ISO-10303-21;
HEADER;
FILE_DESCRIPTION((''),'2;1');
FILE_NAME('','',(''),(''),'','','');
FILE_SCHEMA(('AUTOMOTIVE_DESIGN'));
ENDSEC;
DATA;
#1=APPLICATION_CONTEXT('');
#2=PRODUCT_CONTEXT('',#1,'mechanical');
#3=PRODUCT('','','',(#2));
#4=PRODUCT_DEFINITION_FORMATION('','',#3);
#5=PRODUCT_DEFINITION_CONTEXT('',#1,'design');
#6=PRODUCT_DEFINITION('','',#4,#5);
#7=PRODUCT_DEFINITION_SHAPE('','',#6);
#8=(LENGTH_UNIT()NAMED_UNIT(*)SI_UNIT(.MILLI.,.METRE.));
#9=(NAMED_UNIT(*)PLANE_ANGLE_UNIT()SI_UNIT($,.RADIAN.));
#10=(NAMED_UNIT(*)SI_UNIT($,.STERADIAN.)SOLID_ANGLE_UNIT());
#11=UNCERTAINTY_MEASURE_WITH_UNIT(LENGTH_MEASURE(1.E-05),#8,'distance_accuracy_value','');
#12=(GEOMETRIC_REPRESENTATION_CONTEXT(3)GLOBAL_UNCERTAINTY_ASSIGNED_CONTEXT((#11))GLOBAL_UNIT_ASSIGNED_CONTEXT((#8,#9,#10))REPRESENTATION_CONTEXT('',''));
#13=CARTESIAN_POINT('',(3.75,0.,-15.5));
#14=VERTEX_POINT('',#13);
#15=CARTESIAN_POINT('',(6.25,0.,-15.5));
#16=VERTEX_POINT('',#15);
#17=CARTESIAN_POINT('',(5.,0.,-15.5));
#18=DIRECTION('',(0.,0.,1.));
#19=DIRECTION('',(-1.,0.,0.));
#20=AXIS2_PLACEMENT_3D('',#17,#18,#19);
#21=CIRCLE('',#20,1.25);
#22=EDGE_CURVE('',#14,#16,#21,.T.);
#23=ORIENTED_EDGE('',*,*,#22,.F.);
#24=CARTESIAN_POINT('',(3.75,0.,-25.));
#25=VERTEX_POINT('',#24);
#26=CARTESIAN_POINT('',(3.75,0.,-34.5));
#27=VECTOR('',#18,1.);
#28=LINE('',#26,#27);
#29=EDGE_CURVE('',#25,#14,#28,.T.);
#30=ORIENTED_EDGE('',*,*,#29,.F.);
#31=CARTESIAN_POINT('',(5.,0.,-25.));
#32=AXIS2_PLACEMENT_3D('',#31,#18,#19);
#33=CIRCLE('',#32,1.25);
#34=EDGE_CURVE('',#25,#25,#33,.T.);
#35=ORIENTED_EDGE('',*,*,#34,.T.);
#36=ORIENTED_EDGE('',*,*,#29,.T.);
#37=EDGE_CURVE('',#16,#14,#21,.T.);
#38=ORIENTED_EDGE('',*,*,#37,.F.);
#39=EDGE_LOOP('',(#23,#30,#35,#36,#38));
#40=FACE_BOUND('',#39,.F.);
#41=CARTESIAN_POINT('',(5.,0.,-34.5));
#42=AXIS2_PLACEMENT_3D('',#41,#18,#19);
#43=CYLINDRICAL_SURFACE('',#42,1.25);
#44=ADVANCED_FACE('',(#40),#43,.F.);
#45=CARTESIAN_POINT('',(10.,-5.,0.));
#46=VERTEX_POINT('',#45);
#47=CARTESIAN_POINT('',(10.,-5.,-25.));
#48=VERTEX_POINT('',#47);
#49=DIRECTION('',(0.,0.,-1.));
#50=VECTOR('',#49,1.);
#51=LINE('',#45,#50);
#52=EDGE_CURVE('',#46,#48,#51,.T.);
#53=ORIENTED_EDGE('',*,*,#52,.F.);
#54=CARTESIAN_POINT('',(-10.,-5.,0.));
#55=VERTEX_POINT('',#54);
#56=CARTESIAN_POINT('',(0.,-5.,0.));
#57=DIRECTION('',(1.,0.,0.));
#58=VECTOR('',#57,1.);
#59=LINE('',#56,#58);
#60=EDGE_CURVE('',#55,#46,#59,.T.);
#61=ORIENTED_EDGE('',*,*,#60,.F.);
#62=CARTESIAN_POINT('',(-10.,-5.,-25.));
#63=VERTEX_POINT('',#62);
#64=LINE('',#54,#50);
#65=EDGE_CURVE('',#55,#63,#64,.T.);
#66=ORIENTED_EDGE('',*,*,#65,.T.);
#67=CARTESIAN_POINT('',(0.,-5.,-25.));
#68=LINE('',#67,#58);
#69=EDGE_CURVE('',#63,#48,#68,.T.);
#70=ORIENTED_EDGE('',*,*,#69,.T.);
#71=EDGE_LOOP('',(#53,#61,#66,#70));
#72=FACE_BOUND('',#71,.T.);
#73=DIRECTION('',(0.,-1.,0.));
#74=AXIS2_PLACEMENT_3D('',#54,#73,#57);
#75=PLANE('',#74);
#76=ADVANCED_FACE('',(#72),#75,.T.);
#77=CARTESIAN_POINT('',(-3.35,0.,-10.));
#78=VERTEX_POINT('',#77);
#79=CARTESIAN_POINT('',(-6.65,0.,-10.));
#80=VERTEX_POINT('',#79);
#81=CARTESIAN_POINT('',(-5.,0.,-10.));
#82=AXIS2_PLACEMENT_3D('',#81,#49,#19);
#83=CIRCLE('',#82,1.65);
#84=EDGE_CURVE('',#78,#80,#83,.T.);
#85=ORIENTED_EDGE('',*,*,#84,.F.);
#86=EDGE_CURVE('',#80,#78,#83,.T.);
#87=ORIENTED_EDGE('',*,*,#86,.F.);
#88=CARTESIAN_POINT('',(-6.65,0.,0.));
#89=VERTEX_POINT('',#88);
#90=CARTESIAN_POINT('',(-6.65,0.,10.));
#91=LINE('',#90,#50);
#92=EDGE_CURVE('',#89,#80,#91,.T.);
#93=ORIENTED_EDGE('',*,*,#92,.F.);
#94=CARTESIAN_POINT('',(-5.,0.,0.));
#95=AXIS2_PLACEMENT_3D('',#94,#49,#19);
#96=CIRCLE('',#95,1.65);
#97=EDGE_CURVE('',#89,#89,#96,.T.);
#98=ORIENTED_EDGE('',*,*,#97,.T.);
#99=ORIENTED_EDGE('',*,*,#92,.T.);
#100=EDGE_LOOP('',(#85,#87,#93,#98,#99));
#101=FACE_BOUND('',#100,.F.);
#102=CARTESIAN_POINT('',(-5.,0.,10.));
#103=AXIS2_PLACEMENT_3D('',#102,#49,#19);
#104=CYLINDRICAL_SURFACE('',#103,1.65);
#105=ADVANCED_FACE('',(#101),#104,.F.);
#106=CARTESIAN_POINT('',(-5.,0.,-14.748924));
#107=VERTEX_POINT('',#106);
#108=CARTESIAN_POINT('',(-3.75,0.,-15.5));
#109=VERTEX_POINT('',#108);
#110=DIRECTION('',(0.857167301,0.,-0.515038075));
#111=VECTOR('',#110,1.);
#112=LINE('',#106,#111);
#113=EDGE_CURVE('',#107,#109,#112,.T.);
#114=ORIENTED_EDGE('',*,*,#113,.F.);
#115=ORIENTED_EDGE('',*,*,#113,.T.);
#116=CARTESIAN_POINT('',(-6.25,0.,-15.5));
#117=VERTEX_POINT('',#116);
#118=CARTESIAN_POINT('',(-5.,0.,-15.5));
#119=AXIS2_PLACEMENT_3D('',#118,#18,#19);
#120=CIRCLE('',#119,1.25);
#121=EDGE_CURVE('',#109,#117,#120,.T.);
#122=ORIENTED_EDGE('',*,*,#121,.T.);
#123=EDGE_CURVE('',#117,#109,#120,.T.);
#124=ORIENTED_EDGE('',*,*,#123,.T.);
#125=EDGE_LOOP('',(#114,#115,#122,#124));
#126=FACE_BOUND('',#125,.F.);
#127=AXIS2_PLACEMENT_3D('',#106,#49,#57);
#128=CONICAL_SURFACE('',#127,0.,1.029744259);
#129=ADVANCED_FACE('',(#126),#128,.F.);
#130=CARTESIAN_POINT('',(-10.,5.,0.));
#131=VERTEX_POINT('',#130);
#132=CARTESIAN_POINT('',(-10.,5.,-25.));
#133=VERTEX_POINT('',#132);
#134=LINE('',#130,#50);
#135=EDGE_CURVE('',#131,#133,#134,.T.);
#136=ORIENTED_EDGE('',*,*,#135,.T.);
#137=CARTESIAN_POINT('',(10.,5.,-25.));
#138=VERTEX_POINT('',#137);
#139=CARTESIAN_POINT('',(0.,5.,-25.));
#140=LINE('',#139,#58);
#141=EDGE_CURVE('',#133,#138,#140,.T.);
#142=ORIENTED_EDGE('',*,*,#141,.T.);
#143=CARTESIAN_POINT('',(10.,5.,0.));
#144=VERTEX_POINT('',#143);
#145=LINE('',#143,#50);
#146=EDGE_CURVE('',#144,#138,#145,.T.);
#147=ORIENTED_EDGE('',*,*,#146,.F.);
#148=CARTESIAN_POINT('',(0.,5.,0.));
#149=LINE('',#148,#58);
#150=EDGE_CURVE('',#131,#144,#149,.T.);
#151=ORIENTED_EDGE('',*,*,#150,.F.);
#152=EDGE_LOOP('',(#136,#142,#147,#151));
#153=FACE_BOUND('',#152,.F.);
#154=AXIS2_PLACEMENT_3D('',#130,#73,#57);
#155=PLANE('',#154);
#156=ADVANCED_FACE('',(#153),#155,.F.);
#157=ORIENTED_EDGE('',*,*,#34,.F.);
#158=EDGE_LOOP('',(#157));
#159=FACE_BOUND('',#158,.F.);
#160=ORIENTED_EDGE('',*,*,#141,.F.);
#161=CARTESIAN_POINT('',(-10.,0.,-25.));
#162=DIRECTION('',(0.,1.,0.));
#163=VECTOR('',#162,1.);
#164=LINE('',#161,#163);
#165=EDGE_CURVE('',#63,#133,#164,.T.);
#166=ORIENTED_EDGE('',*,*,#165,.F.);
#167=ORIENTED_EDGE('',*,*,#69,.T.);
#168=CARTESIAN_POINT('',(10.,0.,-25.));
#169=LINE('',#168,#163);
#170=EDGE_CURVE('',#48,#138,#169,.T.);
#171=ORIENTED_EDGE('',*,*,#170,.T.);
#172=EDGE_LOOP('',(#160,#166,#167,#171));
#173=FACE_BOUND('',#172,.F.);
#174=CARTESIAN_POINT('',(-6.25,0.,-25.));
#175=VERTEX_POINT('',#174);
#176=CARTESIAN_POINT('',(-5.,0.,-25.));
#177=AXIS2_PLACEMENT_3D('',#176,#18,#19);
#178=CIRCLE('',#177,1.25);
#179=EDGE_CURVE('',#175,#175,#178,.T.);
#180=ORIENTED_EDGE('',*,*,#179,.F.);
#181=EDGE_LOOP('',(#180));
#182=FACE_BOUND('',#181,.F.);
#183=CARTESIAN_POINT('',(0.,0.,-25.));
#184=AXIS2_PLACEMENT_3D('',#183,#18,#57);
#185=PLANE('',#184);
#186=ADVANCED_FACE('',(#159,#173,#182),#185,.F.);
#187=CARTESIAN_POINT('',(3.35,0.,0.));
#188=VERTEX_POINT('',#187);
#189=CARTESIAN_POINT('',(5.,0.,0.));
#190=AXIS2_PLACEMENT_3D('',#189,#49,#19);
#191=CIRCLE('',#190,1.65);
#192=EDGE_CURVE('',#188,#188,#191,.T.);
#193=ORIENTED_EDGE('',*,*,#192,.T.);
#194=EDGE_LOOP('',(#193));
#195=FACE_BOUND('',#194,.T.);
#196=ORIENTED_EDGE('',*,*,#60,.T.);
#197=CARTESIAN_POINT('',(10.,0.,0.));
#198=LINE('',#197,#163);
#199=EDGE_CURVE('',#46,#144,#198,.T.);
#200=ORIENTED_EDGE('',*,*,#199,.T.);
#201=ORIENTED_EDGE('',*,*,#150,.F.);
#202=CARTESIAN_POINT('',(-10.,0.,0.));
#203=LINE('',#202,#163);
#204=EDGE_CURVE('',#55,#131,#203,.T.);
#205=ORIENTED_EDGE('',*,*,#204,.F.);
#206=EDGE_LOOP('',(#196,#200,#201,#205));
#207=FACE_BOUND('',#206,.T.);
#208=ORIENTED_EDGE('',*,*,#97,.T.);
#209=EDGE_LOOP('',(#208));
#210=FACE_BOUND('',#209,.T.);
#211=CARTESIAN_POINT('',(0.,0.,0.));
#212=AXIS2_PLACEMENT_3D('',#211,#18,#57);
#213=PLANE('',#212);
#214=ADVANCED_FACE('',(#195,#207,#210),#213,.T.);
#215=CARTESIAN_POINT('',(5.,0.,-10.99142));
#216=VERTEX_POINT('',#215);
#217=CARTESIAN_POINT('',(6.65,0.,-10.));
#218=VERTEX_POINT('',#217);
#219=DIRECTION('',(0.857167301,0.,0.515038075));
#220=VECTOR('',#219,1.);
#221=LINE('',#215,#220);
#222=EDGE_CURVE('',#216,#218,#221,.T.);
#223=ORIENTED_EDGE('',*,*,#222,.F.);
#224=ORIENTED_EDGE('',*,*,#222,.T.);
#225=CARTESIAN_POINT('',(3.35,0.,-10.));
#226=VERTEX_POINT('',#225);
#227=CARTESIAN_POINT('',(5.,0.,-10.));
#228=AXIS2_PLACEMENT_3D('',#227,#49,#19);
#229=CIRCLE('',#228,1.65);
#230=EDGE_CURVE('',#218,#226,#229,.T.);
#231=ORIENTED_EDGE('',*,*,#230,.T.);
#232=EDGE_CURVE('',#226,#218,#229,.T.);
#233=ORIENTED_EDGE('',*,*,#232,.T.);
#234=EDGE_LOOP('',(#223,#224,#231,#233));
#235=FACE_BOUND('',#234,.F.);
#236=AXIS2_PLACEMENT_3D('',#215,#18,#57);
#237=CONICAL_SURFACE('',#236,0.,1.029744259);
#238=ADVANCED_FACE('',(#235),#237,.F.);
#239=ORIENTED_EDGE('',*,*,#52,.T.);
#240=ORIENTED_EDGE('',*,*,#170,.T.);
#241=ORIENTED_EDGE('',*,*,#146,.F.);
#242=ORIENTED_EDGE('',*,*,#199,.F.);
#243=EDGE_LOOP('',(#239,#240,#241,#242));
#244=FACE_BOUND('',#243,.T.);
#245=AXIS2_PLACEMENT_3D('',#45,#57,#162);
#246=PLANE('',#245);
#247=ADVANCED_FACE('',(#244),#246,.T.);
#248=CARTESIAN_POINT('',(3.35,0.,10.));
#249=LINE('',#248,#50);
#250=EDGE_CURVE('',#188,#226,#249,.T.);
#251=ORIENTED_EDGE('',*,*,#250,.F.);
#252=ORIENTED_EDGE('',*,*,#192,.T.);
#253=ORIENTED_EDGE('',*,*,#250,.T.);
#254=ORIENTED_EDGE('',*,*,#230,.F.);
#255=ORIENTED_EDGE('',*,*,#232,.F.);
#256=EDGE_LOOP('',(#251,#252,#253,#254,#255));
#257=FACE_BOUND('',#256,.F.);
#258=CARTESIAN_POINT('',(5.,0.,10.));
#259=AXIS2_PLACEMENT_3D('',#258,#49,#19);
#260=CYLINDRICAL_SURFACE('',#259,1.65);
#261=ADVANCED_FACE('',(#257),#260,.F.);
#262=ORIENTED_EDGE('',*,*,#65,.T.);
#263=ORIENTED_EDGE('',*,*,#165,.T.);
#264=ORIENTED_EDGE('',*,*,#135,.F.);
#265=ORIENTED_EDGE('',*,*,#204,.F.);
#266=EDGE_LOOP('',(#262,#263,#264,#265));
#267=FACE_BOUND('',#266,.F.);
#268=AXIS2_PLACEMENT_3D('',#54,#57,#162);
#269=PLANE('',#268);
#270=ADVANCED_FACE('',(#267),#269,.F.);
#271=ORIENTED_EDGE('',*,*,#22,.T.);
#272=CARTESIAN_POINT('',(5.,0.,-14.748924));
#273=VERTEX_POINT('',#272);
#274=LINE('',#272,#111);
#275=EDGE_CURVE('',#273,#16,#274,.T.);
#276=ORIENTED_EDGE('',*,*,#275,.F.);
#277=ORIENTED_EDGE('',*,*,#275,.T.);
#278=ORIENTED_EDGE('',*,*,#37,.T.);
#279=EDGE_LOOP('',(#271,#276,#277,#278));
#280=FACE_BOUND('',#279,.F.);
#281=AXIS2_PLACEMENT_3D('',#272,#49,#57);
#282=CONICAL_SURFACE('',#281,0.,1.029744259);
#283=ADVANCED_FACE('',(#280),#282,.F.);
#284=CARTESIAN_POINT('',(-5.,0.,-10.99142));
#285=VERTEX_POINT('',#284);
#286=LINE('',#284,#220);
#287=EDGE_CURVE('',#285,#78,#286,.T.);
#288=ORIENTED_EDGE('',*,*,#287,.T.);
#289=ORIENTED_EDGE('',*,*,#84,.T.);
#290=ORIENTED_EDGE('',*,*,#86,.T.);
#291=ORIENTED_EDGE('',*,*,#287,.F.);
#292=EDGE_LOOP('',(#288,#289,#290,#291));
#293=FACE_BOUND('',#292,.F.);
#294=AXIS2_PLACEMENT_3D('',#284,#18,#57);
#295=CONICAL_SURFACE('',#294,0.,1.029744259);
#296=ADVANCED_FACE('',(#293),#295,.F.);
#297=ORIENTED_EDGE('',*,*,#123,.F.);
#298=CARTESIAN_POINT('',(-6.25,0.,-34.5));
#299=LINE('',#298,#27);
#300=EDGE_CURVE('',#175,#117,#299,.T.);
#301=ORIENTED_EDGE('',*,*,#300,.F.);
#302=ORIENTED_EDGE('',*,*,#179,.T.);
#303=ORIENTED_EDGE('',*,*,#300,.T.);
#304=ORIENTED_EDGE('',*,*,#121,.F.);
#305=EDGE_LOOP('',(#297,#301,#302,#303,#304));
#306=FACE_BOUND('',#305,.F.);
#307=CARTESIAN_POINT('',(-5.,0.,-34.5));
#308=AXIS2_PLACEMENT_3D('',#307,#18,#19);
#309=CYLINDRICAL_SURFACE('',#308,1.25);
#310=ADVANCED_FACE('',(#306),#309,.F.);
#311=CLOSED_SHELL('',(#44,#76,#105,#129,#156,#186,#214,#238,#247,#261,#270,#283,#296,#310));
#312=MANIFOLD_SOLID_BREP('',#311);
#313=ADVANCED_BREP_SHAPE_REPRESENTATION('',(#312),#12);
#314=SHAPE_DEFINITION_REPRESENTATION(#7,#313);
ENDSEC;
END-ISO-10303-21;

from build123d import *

# Parameters (mm, degrees)
F0_W     = 20
F0_H     = 10
F1_DEPTH = 25
F3_D     = 2.5
F3_DEPTH = 9.5
F3_TIP   = 0.7510757738
F4_D     = 3.3
F4_DEPTH = 10
F4_TIP   = 0.9914200214


with BuildPart() as f1:
    # F0 (on Top) → F1 (new body)
    with BuildSketch(Plane.XY):
        Rectangle(F0_W, F0_H)
    extrude(amount=-F1_DEPTH)

    # F3
    with Locations(Plane(origin=(0, 0, -25), x_dir=(1, 0, 0), z_dir=(0, 0, -1))):
        with Locations((-5, 0), (5, 0)):
            Hole(F3_D / 2, depth=F3_DEPTH)
            with Locations((0, 0, -(F3_DEPTH + F3_TIP / 2))):  # 118° drill point
                Cone(0, F3_D / 2, F3_TIP, mode=Mode.SUBTRACT)

    # F4
    with Locations(Plane.XY):
        with Locations((-5, 0), (5, 0)):
            Hole(F4_D / 2, depth=F4_DEPTH)
            with Locations((0, 0, -(F4_DEPTH + F4_TIP / 2))):  # 118° drill point
                Cone(0, F4_D / 2, F4_TIP, mode=Mode.SUBTRACT)


solid = f1.part
